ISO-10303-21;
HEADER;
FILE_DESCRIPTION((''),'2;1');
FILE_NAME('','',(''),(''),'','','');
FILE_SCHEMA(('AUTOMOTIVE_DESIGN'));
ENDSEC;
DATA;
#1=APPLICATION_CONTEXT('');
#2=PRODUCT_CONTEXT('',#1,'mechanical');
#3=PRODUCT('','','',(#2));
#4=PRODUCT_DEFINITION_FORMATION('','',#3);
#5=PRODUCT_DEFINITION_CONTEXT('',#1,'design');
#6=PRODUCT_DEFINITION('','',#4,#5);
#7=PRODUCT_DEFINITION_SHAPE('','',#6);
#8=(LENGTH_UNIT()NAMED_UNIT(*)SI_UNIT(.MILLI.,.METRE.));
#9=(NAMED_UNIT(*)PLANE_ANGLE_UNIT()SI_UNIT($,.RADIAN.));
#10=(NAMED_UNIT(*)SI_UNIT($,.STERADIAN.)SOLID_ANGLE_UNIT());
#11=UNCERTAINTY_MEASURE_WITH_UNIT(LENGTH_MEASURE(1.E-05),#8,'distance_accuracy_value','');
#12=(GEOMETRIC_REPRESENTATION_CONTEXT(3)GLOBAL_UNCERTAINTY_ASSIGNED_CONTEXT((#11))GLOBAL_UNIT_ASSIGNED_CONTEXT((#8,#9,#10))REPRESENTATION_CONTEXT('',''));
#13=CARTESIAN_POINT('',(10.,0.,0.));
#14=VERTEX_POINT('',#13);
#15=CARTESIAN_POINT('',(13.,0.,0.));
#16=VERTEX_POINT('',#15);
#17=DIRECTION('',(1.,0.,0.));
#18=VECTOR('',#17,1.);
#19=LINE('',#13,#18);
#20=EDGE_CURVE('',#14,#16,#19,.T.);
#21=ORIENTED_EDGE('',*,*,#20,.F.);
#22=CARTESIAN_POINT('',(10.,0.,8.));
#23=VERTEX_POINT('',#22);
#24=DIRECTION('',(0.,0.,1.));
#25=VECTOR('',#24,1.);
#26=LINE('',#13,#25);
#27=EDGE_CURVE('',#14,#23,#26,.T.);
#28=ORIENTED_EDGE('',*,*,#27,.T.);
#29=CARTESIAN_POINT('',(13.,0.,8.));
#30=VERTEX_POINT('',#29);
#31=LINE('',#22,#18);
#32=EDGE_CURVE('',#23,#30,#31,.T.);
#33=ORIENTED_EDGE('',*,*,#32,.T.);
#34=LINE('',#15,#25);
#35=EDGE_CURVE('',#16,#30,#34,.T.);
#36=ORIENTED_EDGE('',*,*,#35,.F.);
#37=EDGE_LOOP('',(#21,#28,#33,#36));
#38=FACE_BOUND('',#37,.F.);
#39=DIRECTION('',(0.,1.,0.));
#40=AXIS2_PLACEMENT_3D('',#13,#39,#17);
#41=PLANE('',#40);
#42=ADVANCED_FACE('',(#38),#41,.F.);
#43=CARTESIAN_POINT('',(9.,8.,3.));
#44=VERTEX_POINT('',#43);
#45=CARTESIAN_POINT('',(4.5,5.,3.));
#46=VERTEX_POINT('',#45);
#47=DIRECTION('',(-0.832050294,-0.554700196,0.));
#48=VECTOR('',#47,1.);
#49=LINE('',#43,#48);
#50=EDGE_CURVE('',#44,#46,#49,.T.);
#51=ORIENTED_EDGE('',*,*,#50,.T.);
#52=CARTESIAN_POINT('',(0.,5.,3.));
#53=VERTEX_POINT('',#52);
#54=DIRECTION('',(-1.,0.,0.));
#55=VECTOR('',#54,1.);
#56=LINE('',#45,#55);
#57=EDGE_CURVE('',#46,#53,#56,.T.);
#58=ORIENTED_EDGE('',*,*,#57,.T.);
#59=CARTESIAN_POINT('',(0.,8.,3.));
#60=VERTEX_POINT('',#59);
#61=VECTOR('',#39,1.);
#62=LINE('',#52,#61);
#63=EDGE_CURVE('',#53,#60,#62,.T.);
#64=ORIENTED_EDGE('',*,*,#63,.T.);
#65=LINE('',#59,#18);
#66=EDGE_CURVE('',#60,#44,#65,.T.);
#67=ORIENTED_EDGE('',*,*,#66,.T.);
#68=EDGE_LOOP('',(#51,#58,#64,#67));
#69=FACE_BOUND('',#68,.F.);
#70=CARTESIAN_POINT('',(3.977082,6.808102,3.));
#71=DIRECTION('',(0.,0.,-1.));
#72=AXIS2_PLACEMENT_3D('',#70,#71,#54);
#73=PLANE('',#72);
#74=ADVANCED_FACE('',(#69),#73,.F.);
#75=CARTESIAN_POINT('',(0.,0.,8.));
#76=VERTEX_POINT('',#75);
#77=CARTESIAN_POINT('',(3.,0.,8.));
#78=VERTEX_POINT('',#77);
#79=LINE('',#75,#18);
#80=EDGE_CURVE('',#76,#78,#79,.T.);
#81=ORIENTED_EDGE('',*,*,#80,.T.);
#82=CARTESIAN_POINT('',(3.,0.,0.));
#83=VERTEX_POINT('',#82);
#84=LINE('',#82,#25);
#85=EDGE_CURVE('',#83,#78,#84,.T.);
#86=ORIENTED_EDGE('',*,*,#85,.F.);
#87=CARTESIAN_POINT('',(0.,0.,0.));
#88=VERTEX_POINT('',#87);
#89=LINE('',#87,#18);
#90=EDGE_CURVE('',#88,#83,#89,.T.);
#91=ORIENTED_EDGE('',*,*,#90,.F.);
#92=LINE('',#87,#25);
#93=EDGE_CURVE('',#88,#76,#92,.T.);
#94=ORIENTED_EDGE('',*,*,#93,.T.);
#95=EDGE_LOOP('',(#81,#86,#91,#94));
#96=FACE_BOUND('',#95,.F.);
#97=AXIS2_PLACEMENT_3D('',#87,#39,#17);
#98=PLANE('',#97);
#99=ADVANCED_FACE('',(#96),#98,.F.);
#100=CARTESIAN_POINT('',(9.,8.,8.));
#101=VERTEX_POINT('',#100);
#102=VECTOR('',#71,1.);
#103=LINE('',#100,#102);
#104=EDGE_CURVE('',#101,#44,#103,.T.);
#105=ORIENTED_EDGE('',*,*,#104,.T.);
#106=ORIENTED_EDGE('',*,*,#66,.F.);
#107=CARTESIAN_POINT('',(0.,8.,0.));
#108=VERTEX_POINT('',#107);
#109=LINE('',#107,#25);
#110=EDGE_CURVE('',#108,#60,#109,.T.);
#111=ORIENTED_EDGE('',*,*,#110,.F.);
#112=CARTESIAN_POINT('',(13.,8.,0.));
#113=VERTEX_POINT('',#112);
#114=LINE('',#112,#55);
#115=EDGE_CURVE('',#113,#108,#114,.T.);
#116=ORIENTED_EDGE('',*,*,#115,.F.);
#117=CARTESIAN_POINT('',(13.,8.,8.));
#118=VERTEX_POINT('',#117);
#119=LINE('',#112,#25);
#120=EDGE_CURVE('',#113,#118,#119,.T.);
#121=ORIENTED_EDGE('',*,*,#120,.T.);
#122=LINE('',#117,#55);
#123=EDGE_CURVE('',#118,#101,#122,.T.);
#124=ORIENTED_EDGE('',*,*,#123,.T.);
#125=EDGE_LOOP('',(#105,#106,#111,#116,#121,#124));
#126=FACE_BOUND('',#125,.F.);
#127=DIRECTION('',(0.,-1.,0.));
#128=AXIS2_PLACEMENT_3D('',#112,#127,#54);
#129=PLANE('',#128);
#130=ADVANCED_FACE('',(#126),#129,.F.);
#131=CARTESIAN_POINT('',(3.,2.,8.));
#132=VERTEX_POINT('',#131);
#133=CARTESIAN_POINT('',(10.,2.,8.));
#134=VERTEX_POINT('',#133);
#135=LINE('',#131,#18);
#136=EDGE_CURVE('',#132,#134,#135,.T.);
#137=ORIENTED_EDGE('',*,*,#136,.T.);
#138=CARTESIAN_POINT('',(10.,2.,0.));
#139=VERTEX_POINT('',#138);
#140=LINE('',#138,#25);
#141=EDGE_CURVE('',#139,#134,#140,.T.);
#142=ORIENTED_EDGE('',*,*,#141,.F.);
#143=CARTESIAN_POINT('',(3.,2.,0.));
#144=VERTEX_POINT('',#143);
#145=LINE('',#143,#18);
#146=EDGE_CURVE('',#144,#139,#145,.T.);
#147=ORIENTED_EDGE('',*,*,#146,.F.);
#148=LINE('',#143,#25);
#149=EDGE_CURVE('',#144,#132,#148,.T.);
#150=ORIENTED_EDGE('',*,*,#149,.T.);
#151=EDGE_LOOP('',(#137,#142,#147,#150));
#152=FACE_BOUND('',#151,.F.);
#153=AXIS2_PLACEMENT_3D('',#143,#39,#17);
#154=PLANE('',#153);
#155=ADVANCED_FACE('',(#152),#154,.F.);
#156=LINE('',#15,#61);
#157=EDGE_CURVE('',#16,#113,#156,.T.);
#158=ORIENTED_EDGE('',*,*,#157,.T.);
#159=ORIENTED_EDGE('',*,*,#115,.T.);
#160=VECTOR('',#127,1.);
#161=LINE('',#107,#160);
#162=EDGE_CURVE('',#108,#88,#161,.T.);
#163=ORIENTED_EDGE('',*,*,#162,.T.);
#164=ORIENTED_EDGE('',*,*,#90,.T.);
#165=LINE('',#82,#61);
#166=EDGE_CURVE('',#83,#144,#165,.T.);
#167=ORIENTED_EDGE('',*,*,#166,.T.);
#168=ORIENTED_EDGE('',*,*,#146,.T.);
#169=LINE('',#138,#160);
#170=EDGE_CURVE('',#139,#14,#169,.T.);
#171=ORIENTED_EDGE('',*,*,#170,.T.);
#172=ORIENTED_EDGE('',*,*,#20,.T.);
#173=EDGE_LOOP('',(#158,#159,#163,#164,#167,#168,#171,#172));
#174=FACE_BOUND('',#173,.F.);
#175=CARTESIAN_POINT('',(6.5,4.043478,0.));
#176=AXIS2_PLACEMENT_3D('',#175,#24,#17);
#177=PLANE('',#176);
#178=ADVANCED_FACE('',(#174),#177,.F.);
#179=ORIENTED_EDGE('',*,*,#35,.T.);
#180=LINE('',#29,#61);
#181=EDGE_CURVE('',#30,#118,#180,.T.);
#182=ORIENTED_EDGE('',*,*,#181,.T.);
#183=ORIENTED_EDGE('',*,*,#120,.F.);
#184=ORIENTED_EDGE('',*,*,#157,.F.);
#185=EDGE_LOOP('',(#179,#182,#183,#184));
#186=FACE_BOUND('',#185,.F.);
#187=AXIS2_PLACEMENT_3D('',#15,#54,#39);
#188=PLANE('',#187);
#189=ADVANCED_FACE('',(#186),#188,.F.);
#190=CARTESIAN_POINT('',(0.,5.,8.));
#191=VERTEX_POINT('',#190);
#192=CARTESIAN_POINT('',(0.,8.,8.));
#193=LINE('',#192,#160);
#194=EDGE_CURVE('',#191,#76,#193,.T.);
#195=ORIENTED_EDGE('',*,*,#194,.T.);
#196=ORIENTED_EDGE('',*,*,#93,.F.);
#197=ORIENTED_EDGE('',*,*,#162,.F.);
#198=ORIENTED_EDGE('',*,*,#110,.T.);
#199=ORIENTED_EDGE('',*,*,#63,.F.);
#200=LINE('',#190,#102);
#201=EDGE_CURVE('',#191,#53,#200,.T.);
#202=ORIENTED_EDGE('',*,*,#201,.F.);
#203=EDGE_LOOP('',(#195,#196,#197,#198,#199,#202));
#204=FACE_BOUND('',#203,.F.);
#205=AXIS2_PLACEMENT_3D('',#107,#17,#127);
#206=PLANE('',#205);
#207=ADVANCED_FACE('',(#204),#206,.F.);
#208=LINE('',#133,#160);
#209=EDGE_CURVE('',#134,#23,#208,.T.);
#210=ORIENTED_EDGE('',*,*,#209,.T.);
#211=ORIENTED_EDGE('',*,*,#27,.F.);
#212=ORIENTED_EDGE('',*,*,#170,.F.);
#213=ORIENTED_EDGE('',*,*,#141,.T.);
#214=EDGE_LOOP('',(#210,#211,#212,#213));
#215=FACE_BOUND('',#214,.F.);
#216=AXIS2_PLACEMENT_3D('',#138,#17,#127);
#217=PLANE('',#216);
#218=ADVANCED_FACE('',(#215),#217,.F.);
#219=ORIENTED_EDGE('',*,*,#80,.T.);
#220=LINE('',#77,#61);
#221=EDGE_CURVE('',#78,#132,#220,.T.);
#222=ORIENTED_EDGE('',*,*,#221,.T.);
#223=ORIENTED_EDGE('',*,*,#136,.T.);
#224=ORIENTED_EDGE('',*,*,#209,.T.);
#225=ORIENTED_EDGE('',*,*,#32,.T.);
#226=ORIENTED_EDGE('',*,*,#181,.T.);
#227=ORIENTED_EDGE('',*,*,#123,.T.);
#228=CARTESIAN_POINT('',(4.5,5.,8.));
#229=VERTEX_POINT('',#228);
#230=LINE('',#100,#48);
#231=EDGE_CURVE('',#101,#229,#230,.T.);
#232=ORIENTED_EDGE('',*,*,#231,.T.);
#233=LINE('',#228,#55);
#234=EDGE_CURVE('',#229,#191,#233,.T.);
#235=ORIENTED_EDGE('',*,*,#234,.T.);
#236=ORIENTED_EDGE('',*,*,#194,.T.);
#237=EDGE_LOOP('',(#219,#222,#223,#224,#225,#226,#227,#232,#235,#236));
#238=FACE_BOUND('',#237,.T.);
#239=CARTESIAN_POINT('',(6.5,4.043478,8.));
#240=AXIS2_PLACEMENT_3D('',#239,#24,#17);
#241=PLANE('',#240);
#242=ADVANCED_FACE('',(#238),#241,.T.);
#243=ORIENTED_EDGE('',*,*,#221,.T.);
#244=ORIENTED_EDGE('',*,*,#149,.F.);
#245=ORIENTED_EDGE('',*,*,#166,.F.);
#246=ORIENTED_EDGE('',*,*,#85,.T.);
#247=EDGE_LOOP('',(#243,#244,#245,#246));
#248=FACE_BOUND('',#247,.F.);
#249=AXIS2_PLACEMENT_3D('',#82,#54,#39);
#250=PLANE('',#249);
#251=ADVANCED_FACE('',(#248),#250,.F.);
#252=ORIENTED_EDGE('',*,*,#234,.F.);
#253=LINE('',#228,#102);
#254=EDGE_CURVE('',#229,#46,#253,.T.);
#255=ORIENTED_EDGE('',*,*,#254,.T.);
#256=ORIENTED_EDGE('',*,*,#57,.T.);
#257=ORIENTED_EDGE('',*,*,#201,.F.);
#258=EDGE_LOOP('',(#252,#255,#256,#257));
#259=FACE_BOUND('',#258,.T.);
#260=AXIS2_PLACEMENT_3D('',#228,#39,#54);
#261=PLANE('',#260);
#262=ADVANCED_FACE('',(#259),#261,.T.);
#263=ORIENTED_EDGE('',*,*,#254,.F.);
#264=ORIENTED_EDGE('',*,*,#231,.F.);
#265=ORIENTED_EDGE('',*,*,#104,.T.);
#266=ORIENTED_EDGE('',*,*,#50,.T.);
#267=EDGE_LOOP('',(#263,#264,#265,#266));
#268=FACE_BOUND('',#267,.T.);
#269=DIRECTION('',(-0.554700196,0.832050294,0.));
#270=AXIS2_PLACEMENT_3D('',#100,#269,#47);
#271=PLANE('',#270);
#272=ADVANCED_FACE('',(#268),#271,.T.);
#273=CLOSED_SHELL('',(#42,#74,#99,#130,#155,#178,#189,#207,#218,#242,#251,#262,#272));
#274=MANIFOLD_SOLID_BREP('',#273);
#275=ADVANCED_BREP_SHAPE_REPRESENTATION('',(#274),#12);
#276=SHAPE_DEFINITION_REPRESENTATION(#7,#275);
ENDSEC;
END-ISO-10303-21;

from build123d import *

# Parameters (mm, degrees)
BOSS_EXTRUDE1_DEPTH = 8
CUT_EXTRUDE1_DEPTH  = 5


with BuildPart() as part:
    # Sketch1 → Boss-Extrude1 (new body)
    with BuildSketch(Plane.XY):
        Polygon((0, 8), (0, 0), (3, 0), (3, 2), (10, 2), (10, 0), (13, 0), (13, 8), align=None)
    extrude(amount=BOSS_EXTRUDE1_DEPTH)

    # Sketch2 → Cut-Extrude1 (cut)
    with BuildSketch(Plane.XY.offset(8)):
        Polygon((9, 8), (4.5, 5), (0, 5), (0, 8), align=None)
    extrude(amount=-CUT_EXTRUDE1_DEPTH, mode=Mode.SUBTRACT)


solid = part.part
